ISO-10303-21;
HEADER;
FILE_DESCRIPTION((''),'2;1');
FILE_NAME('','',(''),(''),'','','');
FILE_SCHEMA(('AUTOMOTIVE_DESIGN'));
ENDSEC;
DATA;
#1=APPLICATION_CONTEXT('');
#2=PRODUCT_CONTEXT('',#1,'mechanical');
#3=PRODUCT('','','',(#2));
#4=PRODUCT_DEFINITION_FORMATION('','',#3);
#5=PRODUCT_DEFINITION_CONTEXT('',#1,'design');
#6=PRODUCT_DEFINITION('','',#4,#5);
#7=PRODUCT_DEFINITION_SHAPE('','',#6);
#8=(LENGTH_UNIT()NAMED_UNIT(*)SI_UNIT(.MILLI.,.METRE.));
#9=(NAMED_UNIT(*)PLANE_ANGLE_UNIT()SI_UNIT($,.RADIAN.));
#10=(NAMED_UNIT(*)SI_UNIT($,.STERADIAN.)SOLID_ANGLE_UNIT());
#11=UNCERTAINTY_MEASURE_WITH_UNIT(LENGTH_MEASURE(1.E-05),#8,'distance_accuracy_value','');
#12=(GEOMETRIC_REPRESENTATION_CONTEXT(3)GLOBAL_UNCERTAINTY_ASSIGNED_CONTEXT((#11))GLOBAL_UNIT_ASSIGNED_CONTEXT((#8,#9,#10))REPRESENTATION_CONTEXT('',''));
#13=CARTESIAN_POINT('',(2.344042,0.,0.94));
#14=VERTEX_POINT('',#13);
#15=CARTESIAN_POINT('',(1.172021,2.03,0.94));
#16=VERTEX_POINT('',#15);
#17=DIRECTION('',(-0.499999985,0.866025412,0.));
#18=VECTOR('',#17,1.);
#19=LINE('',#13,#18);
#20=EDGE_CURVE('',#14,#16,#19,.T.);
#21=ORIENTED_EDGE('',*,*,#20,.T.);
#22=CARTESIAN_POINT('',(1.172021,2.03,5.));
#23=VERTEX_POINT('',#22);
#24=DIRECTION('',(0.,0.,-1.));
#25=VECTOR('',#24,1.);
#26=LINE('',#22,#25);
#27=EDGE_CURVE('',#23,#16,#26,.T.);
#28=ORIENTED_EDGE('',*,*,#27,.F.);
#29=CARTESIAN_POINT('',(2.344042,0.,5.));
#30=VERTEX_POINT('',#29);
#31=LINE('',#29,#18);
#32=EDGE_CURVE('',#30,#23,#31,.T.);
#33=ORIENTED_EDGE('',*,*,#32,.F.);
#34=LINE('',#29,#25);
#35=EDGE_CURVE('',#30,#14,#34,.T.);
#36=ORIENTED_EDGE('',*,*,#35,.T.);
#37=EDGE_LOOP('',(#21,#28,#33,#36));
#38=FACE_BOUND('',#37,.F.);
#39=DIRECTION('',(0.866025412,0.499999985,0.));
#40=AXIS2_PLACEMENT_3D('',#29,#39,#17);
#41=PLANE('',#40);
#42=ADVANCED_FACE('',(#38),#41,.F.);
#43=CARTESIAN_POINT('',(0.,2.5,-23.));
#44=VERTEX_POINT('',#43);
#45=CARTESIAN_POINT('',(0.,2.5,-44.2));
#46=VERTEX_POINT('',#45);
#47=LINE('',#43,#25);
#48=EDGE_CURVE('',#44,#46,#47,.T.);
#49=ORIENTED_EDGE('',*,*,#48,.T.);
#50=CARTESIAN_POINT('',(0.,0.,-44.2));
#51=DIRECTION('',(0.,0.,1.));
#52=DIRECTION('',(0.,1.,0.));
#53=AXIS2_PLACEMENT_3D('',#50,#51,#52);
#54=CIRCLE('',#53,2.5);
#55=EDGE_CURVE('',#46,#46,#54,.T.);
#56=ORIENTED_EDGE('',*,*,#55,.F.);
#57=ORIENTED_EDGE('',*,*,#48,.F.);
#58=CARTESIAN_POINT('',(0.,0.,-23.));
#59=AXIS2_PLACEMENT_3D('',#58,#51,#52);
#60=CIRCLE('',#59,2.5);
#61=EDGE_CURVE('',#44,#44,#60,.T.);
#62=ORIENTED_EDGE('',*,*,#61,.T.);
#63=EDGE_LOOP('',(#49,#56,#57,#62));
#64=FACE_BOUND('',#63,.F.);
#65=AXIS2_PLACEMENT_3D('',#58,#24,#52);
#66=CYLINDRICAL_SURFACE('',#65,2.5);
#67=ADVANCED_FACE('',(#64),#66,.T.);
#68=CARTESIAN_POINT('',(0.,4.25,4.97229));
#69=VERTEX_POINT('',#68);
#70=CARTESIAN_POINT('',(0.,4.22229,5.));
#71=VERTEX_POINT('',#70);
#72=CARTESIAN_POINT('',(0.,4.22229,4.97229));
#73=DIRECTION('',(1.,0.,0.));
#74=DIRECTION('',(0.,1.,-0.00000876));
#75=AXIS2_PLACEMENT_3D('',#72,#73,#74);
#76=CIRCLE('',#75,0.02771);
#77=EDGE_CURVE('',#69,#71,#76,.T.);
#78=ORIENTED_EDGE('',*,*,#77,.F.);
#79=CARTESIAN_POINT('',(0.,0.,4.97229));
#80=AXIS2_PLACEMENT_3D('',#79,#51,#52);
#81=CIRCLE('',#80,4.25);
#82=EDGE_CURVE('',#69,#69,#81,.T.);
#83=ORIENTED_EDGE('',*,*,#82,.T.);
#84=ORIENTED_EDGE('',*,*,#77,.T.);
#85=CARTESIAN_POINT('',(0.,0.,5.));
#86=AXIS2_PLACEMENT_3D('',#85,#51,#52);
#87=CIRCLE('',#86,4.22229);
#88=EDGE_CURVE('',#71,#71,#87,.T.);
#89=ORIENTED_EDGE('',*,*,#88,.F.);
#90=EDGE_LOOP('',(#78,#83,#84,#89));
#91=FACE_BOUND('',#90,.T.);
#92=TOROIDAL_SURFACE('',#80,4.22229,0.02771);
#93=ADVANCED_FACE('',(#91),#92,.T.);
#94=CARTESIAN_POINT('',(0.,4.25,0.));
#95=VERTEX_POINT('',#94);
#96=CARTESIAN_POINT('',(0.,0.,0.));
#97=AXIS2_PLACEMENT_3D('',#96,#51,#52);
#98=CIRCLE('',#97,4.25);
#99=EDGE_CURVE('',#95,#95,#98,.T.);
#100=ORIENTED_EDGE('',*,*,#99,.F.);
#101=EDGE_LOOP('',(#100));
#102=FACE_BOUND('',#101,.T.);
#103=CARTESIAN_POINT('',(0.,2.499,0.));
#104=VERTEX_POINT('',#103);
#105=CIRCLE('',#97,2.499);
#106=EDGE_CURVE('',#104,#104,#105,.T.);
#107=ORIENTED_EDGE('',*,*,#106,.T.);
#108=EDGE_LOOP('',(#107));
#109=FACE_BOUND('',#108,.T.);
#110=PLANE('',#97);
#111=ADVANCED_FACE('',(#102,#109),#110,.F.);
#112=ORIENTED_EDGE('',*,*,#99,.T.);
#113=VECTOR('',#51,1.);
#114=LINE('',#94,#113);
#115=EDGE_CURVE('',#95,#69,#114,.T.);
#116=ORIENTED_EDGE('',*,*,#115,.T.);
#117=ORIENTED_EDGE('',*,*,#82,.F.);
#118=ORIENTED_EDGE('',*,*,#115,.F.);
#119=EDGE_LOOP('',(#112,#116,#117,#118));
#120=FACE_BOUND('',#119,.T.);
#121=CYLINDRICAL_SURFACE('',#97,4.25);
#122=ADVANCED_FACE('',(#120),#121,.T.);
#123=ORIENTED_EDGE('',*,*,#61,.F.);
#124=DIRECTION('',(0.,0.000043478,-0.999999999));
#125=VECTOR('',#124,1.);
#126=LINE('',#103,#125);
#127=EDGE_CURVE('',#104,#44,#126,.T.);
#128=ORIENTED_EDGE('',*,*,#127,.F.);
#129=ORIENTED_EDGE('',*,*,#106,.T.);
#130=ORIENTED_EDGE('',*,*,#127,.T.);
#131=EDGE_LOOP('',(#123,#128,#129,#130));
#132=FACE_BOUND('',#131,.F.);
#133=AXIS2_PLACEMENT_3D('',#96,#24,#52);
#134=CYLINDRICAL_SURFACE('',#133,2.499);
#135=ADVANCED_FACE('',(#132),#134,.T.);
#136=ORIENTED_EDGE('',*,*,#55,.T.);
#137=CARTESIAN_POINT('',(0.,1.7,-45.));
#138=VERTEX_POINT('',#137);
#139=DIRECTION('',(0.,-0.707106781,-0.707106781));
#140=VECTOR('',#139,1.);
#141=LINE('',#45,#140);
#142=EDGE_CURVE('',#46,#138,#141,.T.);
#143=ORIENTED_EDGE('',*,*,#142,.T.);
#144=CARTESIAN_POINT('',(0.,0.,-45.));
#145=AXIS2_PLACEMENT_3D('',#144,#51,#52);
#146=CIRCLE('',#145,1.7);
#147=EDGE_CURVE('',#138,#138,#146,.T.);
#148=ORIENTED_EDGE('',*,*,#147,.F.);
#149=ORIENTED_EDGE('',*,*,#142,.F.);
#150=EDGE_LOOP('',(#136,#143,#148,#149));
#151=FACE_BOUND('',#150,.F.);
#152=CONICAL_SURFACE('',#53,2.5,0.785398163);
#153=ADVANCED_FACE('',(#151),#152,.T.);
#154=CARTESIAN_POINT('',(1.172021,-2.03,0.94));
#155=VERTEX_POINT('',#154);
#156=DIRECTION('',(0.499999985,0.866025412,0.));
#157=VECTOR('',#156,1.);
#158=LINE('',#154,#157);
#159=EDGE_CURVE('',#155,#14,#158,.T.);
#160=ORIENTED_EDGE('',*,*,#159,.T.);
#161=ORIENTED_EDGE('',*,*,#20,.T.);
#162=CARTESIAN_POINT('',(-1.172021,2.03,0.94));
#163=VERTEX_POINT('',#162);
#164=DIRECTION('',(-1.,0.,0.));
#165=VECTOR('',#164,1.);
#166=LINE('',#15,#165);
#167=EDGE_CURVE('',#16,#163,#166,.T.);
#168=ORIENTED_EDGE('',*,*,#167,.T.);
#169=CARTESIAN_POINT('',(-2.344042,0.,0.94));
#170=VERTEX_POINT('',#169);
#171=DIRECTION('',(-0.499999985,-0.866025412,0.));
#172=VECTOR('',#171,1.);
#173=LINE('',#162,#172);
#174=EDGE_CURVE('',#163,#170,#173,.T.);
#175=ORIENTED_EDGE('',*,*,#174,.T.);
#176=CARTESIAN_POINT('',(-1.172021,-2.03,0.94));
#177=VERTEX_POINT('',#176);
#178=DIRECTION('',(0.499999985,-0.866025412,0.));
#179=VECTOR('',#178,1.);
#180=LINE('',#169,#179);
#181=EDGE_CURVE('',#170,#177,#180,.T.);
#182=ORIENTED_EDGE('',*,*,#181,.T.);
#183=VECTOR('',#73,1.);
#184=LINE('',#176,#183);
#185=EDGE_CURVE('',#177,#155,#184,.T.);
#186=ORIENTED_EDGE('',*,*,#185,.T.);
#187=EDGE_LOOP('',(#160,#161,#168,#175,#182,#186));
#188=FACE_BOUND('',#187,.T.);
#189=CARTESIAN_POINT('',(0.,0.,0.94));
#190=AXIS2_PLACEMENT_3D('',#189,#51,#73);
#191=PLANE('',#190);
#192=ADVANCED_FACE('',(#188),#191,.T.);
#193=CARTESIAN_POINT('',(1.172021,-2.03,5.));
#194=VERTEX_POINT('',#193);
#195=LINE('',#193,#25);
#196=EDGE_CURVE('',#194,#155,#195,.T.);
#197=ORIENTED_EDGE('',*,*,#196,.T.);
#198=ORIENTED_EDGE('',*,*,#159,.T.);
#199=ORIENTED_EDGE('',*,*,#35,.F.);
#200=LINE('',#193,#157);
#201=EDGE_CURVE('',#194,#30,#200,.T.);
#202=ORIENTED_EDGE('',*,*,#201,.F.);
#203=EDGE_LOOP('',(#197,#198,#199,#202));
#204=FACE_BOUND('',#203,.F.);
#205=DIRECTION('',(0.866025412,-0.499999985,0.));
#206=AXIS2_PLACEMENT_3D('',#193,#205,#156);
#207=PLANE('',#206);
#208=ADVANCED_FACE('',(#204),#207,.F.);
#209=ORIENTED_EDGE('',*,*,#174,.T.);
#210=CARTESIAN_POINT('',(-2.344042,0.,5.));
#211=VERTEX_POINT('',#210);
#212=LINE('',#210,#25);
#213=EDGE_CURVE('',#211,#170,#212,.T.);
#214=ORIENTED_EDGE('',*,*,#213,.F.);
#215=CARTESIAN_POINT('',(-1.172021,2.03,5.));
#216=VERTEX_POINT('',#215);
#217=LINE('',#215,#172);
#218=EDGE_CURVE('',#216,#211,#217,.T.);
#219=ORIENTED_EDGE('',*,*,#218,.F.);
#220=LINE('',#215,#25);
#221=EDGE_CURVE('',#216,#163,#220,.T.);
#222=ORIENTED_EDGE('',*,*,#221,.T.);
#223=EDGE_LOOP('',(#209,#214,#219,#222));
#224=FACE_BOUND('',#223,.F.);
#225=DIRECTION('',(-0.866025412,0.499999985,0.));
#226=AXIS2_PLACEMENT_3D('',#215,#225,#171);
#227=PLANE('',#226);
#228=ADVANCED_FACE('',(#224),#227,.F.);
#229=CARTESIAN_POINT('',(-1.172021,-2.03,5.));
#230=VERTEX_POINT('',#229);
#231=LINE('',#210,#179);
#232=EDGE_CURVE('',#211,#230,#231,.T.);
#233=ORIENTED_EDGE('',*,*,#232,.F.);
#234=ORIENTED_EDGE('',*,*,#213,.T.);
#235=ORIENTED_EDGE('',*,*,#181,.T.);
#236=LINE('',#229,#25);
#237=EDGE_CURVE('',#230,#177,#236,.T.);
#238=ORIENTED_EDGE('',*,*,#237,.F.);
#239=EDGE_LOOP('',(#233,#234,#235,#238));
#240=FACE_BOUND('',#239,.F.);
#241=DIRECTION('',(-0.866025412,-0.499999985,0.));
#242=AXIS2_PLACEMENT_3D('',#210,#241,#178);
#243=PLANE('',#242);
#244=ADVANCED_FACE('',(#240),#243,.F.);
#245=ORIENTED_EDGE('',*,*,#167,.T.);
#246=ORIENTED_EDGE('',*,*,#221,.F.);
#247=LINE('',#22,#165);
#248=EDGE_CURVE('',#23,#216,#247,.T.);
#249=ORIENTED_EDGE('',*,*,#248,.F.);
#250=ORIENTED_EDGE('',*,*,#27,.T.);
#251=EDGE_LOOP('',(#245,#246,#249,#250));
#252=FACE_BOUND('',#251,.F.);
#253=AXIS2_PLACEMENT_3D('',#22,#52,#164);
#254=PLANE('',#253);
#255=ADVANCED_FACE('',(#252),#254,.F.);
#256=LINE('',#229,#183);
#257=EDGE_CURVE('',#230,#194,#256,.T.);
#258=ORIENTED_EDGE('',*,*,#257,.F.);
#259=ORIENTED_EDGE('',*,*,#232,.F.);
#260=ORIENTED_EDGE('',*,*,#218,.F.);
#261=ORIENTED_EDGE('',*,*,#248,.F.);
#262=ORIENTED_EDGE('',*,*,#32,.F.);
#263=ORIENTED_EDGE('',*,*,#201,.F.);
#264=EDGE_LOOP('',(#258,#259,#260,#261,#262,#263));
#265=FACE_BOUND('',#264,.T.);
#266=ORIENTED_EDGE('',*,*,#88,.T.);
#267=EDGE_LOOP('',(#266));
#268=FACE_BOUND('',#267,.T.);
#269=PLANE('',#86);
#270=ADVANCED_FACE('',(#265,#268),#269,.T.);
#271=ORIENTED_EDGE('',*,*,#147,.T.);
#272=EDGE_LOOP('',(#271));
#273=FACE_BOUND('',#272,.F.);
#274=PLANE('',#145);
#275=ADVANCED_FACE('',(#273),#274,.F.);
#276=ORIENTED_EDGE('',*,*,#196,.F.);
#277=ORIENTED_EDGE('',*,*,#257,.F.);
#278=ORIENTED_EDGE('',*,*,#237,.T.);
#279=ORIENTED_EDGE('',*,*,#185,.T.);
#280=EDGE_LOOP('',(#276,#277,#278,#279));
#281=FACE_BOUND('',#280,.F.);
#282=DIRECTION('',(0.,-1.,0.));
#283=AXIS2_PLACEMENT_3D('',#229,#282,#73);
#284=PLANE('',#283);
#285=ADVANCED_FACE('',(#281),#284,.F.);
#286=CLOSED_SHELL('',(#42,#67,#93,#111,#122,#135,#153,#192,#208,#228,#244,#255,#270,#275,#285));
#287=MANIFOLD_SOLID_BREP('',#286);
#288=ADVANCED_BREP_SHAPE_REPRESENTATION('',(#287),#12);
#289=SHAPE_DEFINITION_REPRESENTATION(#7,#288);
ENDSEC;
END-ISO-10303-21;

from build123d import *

# Parameters (mm, degrees)
POCKET_DEPTH = 4.06


with BuildPart() as part:
    # Sketch → Revolve (revolve)
    with BuildSketch(Plane.YZ):
        with BuildLine():
            Line((2.499, 0), (4.25, 0))
            Line((4.25, 0), (4.25, 4.97229))
            ThreePointArc((4.25, 4.97229), (4.241884, 4.991884), (4.22229, 5))
            Line((4.22229, 5), (0, 5))
            Line((0, -45), (0, 5))
            Line((1.7, -45), (0, -45))
            Line((2.5, -44.2), (1.7, -45))
            Line((2.5, -23), (2.5, -44.2))
            Line((2.499, 0), (2.5, -23))
        make_face()
    revolve(axis=Axis((0, 0, 0), (0, 0, 1)))

    # Sketch001 → Pocket (cut)
    with BuildSketch(Plane.XY.offset(5)):
        Polygon((2.344042, 0), (1.172021, 2.03), (-1.172021, 2.03), (-2.344042, 0), (-1.172021, -2.03), (1.172021, -2.03), align=None)
    extrude(amount=-POCKET_DEPTH, mode=Mode.SUBTRACT)


solid = part.part
